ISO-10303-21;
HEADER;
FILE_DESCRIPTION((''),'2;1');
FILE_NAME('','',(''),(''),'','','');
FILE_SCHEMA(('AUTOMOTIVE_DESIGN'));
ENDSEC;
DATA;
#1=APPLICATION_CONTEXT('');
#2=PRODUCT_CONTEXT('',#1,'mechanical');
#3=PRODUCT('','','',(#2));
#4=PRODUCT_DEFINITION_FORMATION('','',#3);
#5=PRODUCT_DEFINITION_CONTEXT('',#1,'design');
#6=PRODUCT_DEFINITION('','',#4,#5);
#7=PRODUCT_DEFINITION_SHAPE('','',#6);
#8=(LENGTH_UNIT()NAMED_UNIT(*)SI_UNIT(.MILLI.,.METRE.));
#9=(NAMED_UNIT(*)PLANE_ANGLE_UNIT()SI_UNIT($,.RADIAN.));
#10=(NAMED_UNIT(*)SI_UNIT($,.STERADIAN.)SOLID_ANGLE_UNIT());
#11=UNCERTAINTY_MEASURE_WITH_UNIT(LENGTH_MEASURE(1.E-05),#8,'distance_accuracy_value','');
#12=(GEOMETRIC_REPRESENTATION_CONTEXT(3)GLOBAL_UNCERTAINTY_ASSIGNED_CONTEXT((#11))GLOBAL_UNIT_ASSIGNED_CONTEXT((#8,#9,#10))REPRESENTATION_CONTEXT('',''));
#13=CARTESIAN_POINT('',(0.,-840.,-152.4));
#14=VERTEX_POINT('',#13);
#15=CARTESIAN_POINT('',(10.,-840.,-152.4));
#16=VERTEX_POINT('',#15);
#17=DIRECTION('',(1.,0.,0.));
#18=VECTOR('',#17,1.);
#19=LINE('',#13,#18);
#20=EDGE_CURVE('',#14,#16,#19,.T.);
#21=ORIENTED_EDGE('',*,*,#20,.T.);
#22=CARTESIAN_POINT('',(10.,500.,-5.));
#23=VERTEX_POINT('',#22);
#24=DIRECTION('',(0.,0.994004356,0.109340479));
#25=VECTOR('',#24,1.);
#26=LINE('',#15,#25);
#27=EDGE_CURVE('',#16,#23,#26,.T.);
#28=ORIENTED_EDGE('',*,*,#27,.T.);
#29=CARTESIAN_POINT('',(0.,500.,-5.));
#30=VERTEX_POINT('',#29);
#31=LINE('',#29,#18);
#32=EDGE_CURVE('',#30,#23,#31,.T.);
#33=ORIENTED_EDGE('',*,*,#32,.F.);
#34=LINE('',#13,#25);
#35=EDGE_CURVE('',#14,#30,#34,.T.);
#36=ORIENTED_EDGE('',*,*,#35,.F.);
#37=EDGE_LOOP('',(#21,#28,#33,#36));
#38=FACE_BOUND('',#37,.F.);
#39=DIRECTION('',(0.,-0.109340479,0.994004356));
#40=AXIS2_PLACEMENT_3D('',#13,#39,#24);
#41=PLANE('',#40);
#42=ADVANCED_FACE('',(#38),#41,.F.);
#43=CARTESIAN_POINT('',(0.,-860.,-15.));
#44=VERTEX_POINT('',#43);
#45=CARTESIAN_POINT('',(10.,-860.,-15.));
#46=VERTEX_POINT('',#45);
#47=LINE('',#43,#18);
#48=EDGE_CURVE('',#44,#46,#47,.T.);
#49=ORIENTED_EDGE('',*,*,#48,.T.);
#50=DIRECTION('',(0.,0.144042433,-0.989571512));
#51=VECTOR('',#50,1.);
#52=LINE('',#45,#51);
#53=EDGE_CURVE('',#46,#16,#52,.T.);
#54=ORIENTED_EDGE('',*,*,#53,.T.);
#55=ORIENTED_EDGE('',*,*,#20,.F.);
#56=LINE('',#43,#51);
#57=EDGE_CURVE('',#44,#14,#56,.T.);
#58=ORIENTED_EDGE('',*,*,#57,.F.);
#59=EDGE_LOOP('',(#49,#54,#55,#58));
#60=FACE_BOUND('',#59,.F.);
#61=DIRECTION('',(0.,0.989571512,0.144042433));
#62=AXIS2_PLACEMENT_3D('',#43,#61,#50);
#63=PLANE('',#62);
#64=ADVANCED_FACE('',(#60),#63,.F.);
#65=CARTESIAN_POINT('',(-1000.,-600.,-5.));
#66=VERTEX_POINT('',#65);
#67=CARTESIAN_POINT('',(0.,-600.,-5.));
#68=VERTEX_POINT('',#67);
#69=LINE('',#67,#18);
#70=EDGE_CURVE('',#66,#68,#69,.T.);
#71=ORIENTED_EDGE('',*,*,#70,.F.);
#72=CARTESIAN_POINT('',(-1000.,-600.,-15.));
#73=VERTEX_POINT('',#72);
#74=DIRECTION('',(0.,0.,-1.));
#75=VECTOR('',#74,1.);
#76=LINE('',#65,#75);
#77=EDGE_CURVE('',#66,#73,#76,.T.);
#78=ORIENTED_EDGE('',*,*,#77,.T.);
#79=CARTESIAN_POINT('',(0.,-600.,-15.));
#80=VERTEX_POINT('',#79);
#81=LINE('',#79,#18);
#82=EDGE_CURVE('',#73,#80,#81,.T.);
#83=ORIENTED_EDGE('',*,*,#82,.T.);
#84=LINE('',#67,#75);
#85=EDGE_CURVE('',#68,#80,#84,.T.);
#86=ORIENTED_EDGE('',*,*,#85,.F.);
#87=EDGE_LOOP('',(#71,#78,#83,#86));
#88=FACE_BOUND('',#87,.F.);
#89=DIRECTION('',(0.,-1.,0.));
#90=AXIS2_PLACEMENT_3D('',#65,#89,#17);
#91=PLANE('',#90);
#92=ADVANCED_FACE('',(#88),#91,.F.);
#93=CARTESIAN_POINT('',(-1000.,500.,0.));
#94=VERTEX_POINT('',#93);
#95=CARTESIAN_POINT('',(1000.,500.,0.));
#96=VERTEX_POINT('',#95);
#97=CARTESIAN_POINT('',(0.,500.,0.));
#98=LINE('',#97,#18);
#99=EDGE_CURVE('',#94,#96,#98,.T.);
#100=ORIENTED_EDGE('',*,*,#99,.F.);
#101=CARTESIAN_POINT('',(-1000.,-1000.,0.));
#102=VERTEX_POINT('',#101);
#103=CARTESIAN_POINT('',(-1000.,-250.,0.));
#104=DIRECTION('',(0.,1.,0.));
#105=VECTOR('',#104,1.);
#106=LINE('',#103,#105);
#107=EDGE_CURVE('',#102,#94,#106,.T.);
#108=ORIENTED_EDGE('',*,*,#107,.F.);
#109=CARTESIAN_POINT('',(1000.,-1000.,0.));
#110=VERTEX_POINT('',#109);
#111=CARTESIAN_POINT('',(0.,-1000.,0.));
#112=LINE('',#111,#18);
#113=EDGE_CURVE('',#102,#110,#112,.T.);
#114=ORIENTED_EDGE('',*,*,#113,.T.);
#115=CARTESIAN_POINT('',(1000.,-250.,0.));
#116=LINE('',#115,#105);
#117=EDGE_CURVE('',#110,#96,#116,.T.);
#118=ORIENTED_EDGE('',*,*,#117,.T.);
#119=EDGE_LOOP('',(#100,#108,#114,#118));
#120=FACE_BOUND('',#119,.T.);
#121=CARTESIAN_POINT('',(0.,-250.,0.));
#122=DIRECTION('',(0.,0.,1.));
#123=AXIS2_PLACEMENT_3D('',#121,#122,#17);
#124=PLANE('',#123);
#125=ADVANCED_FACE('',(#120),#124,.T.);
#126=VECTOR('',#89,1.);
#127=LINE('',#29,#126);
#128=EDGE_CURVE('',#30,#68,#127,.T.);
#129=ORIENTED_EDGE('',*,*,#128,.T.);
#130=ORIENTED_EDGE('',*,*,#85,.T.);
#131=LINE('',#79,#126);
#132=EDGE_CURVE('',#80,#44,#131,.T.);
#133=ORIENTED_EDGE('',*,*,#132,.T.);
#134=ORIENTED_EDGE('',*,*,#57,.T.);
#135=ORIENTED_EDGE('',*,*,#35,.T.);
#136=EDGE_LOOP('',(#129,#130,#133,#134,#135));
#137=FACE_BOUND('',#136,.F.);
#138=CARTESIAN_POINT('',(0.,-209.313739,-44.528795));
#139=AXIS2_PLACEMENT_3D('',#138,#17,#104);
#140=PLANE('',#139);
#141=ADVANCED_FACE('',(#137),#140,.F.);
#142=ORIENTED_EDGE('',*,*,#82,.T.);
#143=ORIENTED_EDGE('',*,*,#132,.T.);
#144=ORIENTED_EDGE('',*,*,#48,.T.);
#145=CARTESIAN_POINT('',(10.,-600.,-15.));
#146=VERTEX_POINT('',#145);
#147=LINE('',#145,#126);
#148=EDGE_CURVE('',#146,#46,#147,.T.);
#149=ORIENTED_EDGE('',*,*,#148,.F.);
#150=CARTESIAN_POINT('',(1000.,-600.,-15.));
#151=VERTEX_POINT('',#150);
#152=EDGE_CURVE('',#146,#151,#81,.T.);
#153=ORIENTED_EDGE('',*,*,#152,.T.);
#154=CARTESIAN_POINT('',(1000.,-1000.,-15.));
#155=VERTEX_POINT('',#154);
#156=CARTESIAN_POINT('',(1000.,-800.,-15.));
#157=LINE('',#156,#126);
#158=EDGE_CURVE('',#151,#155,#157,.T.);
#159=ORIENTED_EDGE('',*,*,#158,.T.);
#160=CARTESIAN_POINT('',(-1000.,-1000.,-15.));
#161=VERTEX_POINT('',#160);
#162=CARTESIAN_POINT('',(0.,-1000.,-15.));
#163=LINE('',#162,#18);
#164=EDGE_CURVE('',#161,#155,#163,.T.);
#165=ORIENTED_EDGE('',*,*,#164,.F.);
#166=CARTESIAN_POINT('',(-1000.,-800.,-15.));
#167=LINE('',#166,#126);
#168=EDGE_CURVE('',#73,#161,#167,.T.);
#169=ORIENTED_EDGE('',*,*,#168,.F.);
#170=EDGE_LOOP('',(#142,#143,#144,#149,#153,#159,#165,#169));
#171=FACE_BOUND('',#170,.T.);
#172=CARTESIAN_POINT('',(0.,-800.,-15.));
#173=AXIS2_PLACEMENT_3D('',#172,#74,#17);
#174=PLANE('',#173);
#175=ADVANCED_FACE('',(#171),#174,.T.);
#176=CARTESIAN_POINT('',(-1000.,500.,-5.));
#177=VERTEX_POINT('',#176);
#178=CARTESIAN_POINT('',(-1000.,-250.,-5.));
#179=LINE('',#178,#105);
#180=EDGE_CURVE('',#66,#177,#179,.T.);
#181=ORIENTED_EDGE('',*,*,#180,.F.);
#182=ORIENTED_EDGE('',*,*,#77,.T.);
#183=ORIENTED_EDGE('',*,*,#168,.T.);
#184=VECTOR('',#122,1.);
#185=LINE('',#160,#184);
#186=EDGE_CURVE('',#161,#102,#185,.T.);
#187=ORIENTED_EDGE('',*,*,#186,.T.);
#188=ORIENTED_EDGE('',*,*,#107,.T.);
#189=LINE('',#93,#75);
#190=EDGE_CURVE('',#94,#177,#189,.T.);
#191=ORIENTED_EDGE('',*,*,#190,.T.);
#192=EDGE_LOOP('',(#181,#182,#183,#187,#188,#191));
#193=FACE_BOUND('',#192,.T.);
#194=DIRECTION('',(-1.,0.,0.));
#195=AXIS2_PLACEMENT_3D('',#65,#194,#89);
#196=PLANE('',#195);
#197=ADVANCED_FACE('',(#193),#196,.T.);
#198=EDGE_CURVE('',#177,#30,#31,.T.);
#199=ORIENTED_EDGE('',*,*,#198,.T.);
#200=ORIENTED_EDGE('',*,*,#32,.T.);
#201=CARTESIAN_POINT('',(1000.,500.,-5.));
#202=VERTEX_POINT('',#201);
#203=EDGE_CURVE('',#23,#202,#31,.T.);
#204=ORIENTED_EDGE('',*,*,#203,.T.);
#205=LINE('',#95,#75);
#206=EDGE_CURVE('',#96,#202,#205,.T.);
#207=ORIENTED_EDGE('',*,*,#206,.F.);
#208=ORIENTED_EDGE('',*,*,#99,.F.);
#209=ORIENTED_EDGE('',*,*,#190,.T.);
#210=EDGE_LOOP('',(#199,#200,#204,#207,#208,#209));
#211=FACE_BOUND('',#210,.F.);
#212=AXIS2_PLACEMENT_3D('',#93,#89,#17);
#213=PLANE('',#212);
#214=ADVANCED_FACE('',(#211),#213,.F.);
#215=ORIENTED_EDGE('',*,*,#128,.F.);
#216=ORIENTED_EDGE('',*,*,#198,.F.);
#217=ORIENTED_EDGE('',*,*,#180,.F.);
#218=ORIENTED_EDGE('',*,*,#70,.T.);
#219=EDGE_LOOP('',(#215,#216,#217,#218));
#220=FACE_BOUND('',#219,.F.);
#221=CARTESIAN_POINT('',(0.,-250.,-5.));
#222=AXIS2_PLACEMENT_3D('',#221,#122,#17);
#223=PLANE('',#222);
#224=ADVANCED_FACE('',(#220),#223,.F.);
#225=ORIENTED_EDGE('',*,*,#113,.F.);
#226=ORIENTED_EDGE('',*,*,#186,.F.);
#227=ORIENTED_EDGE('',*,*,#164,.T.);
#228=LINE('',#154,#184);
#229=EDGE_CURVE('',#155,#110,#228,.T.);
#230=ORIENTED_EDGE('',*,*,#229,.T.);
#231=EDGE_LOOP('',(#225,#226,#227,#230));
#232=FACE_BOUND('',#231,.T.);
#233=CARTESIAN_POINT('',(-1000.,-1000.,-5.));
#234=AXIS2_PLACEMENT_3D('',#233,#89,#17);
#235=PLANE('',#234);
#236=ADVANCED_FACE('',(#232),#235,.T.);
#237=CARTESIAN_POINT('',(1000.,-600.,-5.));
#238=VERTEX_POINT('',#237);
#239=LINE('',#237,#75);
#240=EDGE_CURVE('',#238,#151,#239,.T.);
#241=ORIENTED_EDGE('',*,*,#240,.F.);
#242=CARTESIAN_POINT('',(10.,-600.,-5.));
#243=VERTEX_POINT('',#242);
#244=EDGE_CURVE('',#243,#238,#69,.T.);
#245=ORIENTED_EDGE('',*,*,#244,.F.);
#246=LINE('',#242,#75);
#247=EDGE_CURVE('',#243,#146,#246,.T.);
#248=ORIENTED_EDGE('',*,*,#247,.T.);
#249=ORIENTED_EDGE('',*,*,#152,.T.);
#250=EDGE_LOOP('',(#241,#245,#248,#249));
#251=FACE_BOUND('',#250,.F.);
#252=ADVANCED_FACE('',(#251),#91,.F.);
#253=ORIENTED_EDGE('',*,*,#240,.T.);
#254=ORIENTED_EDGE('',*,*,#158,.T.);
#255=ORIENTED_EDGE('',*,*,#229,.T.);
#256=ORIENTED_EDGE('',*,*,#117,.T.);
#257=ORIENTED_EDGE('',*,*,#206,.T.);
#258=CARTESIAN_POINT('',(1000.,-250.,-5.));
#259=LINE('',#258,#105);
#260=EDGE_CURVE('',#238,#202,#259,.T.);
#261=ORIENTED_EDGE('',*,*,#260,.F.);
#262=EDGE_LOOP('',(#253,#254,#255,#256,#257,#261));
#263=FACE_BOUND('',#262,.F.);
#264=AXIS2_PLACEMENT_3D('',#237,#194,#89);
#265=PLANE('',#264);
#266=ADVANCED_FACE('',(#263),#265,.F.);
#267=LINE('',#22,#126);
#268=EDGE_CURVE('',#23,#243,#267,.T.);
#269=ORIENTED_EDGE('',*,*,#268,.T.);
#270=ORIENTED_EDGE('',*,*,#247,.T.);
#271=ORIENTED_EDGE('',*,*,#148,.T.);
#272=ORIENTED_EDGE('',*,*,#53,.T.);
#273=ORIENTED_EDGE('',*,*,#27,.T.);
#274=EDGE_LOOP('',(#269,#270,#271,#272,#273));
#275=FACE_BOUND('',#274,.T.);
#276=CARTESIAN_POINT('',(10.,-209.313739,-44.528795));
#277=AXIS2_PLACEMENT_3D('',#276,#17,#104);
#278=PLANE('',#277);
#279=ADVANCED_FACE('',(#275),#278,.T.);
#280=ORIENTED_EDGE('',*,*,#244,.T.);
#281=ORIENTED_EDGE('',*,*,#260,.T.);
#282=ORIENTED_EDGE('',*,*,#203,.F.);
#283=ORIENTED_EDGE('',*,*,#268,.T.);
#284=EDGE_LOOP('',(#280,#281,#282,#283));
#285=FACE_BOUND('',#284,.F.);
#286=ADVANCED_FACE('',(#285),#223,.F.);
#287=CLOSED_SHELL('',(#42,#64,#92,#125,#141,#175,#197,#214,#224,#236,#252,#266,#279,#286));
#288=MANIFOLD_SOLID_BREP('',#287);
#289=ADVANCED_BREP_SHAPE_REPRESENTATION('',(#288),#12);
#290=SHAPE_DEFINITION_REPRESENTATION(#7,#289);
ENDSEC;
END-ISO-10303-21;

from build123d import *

# Parameters (mm, degrees)
F0_W     = 2000
F0_H     = 1500
F1_DEPTH = 5
F2_W     = 2000
F2_H     = 400
F3_DEPTH = 10
F5_DEPTH = 10


with BuildPart() as f1:
    # F0 (on Top) → F1 (new body)
    with BuildSketch(Plane.XY):
        with Locations((0, -250)):
            Rectangle(F0_W, F0_H)
    extrude(amount=-F1_DEPTH)

    # F2 (on face) → F3 (join)
    with BuildSketch(Plane(origin=(0, 0, -5), x_dir=(1, 0, 0), z_dir=(0, 0, -1))):
        with Locations((0, 800)):
            Rectangle(F2_W, F2_H)
    extrude(amount=F3_DEPTH)

    # F4 (on Right) → F5 (join)
    with BuildSketch(Plane.YZ):
        Polygon((-600, -15), (-860, -15), (-840, -152.4), (500, -5), (-600, -5), align=None)
    extrude(amount=F5_DEPTH)


solid = f1.part
